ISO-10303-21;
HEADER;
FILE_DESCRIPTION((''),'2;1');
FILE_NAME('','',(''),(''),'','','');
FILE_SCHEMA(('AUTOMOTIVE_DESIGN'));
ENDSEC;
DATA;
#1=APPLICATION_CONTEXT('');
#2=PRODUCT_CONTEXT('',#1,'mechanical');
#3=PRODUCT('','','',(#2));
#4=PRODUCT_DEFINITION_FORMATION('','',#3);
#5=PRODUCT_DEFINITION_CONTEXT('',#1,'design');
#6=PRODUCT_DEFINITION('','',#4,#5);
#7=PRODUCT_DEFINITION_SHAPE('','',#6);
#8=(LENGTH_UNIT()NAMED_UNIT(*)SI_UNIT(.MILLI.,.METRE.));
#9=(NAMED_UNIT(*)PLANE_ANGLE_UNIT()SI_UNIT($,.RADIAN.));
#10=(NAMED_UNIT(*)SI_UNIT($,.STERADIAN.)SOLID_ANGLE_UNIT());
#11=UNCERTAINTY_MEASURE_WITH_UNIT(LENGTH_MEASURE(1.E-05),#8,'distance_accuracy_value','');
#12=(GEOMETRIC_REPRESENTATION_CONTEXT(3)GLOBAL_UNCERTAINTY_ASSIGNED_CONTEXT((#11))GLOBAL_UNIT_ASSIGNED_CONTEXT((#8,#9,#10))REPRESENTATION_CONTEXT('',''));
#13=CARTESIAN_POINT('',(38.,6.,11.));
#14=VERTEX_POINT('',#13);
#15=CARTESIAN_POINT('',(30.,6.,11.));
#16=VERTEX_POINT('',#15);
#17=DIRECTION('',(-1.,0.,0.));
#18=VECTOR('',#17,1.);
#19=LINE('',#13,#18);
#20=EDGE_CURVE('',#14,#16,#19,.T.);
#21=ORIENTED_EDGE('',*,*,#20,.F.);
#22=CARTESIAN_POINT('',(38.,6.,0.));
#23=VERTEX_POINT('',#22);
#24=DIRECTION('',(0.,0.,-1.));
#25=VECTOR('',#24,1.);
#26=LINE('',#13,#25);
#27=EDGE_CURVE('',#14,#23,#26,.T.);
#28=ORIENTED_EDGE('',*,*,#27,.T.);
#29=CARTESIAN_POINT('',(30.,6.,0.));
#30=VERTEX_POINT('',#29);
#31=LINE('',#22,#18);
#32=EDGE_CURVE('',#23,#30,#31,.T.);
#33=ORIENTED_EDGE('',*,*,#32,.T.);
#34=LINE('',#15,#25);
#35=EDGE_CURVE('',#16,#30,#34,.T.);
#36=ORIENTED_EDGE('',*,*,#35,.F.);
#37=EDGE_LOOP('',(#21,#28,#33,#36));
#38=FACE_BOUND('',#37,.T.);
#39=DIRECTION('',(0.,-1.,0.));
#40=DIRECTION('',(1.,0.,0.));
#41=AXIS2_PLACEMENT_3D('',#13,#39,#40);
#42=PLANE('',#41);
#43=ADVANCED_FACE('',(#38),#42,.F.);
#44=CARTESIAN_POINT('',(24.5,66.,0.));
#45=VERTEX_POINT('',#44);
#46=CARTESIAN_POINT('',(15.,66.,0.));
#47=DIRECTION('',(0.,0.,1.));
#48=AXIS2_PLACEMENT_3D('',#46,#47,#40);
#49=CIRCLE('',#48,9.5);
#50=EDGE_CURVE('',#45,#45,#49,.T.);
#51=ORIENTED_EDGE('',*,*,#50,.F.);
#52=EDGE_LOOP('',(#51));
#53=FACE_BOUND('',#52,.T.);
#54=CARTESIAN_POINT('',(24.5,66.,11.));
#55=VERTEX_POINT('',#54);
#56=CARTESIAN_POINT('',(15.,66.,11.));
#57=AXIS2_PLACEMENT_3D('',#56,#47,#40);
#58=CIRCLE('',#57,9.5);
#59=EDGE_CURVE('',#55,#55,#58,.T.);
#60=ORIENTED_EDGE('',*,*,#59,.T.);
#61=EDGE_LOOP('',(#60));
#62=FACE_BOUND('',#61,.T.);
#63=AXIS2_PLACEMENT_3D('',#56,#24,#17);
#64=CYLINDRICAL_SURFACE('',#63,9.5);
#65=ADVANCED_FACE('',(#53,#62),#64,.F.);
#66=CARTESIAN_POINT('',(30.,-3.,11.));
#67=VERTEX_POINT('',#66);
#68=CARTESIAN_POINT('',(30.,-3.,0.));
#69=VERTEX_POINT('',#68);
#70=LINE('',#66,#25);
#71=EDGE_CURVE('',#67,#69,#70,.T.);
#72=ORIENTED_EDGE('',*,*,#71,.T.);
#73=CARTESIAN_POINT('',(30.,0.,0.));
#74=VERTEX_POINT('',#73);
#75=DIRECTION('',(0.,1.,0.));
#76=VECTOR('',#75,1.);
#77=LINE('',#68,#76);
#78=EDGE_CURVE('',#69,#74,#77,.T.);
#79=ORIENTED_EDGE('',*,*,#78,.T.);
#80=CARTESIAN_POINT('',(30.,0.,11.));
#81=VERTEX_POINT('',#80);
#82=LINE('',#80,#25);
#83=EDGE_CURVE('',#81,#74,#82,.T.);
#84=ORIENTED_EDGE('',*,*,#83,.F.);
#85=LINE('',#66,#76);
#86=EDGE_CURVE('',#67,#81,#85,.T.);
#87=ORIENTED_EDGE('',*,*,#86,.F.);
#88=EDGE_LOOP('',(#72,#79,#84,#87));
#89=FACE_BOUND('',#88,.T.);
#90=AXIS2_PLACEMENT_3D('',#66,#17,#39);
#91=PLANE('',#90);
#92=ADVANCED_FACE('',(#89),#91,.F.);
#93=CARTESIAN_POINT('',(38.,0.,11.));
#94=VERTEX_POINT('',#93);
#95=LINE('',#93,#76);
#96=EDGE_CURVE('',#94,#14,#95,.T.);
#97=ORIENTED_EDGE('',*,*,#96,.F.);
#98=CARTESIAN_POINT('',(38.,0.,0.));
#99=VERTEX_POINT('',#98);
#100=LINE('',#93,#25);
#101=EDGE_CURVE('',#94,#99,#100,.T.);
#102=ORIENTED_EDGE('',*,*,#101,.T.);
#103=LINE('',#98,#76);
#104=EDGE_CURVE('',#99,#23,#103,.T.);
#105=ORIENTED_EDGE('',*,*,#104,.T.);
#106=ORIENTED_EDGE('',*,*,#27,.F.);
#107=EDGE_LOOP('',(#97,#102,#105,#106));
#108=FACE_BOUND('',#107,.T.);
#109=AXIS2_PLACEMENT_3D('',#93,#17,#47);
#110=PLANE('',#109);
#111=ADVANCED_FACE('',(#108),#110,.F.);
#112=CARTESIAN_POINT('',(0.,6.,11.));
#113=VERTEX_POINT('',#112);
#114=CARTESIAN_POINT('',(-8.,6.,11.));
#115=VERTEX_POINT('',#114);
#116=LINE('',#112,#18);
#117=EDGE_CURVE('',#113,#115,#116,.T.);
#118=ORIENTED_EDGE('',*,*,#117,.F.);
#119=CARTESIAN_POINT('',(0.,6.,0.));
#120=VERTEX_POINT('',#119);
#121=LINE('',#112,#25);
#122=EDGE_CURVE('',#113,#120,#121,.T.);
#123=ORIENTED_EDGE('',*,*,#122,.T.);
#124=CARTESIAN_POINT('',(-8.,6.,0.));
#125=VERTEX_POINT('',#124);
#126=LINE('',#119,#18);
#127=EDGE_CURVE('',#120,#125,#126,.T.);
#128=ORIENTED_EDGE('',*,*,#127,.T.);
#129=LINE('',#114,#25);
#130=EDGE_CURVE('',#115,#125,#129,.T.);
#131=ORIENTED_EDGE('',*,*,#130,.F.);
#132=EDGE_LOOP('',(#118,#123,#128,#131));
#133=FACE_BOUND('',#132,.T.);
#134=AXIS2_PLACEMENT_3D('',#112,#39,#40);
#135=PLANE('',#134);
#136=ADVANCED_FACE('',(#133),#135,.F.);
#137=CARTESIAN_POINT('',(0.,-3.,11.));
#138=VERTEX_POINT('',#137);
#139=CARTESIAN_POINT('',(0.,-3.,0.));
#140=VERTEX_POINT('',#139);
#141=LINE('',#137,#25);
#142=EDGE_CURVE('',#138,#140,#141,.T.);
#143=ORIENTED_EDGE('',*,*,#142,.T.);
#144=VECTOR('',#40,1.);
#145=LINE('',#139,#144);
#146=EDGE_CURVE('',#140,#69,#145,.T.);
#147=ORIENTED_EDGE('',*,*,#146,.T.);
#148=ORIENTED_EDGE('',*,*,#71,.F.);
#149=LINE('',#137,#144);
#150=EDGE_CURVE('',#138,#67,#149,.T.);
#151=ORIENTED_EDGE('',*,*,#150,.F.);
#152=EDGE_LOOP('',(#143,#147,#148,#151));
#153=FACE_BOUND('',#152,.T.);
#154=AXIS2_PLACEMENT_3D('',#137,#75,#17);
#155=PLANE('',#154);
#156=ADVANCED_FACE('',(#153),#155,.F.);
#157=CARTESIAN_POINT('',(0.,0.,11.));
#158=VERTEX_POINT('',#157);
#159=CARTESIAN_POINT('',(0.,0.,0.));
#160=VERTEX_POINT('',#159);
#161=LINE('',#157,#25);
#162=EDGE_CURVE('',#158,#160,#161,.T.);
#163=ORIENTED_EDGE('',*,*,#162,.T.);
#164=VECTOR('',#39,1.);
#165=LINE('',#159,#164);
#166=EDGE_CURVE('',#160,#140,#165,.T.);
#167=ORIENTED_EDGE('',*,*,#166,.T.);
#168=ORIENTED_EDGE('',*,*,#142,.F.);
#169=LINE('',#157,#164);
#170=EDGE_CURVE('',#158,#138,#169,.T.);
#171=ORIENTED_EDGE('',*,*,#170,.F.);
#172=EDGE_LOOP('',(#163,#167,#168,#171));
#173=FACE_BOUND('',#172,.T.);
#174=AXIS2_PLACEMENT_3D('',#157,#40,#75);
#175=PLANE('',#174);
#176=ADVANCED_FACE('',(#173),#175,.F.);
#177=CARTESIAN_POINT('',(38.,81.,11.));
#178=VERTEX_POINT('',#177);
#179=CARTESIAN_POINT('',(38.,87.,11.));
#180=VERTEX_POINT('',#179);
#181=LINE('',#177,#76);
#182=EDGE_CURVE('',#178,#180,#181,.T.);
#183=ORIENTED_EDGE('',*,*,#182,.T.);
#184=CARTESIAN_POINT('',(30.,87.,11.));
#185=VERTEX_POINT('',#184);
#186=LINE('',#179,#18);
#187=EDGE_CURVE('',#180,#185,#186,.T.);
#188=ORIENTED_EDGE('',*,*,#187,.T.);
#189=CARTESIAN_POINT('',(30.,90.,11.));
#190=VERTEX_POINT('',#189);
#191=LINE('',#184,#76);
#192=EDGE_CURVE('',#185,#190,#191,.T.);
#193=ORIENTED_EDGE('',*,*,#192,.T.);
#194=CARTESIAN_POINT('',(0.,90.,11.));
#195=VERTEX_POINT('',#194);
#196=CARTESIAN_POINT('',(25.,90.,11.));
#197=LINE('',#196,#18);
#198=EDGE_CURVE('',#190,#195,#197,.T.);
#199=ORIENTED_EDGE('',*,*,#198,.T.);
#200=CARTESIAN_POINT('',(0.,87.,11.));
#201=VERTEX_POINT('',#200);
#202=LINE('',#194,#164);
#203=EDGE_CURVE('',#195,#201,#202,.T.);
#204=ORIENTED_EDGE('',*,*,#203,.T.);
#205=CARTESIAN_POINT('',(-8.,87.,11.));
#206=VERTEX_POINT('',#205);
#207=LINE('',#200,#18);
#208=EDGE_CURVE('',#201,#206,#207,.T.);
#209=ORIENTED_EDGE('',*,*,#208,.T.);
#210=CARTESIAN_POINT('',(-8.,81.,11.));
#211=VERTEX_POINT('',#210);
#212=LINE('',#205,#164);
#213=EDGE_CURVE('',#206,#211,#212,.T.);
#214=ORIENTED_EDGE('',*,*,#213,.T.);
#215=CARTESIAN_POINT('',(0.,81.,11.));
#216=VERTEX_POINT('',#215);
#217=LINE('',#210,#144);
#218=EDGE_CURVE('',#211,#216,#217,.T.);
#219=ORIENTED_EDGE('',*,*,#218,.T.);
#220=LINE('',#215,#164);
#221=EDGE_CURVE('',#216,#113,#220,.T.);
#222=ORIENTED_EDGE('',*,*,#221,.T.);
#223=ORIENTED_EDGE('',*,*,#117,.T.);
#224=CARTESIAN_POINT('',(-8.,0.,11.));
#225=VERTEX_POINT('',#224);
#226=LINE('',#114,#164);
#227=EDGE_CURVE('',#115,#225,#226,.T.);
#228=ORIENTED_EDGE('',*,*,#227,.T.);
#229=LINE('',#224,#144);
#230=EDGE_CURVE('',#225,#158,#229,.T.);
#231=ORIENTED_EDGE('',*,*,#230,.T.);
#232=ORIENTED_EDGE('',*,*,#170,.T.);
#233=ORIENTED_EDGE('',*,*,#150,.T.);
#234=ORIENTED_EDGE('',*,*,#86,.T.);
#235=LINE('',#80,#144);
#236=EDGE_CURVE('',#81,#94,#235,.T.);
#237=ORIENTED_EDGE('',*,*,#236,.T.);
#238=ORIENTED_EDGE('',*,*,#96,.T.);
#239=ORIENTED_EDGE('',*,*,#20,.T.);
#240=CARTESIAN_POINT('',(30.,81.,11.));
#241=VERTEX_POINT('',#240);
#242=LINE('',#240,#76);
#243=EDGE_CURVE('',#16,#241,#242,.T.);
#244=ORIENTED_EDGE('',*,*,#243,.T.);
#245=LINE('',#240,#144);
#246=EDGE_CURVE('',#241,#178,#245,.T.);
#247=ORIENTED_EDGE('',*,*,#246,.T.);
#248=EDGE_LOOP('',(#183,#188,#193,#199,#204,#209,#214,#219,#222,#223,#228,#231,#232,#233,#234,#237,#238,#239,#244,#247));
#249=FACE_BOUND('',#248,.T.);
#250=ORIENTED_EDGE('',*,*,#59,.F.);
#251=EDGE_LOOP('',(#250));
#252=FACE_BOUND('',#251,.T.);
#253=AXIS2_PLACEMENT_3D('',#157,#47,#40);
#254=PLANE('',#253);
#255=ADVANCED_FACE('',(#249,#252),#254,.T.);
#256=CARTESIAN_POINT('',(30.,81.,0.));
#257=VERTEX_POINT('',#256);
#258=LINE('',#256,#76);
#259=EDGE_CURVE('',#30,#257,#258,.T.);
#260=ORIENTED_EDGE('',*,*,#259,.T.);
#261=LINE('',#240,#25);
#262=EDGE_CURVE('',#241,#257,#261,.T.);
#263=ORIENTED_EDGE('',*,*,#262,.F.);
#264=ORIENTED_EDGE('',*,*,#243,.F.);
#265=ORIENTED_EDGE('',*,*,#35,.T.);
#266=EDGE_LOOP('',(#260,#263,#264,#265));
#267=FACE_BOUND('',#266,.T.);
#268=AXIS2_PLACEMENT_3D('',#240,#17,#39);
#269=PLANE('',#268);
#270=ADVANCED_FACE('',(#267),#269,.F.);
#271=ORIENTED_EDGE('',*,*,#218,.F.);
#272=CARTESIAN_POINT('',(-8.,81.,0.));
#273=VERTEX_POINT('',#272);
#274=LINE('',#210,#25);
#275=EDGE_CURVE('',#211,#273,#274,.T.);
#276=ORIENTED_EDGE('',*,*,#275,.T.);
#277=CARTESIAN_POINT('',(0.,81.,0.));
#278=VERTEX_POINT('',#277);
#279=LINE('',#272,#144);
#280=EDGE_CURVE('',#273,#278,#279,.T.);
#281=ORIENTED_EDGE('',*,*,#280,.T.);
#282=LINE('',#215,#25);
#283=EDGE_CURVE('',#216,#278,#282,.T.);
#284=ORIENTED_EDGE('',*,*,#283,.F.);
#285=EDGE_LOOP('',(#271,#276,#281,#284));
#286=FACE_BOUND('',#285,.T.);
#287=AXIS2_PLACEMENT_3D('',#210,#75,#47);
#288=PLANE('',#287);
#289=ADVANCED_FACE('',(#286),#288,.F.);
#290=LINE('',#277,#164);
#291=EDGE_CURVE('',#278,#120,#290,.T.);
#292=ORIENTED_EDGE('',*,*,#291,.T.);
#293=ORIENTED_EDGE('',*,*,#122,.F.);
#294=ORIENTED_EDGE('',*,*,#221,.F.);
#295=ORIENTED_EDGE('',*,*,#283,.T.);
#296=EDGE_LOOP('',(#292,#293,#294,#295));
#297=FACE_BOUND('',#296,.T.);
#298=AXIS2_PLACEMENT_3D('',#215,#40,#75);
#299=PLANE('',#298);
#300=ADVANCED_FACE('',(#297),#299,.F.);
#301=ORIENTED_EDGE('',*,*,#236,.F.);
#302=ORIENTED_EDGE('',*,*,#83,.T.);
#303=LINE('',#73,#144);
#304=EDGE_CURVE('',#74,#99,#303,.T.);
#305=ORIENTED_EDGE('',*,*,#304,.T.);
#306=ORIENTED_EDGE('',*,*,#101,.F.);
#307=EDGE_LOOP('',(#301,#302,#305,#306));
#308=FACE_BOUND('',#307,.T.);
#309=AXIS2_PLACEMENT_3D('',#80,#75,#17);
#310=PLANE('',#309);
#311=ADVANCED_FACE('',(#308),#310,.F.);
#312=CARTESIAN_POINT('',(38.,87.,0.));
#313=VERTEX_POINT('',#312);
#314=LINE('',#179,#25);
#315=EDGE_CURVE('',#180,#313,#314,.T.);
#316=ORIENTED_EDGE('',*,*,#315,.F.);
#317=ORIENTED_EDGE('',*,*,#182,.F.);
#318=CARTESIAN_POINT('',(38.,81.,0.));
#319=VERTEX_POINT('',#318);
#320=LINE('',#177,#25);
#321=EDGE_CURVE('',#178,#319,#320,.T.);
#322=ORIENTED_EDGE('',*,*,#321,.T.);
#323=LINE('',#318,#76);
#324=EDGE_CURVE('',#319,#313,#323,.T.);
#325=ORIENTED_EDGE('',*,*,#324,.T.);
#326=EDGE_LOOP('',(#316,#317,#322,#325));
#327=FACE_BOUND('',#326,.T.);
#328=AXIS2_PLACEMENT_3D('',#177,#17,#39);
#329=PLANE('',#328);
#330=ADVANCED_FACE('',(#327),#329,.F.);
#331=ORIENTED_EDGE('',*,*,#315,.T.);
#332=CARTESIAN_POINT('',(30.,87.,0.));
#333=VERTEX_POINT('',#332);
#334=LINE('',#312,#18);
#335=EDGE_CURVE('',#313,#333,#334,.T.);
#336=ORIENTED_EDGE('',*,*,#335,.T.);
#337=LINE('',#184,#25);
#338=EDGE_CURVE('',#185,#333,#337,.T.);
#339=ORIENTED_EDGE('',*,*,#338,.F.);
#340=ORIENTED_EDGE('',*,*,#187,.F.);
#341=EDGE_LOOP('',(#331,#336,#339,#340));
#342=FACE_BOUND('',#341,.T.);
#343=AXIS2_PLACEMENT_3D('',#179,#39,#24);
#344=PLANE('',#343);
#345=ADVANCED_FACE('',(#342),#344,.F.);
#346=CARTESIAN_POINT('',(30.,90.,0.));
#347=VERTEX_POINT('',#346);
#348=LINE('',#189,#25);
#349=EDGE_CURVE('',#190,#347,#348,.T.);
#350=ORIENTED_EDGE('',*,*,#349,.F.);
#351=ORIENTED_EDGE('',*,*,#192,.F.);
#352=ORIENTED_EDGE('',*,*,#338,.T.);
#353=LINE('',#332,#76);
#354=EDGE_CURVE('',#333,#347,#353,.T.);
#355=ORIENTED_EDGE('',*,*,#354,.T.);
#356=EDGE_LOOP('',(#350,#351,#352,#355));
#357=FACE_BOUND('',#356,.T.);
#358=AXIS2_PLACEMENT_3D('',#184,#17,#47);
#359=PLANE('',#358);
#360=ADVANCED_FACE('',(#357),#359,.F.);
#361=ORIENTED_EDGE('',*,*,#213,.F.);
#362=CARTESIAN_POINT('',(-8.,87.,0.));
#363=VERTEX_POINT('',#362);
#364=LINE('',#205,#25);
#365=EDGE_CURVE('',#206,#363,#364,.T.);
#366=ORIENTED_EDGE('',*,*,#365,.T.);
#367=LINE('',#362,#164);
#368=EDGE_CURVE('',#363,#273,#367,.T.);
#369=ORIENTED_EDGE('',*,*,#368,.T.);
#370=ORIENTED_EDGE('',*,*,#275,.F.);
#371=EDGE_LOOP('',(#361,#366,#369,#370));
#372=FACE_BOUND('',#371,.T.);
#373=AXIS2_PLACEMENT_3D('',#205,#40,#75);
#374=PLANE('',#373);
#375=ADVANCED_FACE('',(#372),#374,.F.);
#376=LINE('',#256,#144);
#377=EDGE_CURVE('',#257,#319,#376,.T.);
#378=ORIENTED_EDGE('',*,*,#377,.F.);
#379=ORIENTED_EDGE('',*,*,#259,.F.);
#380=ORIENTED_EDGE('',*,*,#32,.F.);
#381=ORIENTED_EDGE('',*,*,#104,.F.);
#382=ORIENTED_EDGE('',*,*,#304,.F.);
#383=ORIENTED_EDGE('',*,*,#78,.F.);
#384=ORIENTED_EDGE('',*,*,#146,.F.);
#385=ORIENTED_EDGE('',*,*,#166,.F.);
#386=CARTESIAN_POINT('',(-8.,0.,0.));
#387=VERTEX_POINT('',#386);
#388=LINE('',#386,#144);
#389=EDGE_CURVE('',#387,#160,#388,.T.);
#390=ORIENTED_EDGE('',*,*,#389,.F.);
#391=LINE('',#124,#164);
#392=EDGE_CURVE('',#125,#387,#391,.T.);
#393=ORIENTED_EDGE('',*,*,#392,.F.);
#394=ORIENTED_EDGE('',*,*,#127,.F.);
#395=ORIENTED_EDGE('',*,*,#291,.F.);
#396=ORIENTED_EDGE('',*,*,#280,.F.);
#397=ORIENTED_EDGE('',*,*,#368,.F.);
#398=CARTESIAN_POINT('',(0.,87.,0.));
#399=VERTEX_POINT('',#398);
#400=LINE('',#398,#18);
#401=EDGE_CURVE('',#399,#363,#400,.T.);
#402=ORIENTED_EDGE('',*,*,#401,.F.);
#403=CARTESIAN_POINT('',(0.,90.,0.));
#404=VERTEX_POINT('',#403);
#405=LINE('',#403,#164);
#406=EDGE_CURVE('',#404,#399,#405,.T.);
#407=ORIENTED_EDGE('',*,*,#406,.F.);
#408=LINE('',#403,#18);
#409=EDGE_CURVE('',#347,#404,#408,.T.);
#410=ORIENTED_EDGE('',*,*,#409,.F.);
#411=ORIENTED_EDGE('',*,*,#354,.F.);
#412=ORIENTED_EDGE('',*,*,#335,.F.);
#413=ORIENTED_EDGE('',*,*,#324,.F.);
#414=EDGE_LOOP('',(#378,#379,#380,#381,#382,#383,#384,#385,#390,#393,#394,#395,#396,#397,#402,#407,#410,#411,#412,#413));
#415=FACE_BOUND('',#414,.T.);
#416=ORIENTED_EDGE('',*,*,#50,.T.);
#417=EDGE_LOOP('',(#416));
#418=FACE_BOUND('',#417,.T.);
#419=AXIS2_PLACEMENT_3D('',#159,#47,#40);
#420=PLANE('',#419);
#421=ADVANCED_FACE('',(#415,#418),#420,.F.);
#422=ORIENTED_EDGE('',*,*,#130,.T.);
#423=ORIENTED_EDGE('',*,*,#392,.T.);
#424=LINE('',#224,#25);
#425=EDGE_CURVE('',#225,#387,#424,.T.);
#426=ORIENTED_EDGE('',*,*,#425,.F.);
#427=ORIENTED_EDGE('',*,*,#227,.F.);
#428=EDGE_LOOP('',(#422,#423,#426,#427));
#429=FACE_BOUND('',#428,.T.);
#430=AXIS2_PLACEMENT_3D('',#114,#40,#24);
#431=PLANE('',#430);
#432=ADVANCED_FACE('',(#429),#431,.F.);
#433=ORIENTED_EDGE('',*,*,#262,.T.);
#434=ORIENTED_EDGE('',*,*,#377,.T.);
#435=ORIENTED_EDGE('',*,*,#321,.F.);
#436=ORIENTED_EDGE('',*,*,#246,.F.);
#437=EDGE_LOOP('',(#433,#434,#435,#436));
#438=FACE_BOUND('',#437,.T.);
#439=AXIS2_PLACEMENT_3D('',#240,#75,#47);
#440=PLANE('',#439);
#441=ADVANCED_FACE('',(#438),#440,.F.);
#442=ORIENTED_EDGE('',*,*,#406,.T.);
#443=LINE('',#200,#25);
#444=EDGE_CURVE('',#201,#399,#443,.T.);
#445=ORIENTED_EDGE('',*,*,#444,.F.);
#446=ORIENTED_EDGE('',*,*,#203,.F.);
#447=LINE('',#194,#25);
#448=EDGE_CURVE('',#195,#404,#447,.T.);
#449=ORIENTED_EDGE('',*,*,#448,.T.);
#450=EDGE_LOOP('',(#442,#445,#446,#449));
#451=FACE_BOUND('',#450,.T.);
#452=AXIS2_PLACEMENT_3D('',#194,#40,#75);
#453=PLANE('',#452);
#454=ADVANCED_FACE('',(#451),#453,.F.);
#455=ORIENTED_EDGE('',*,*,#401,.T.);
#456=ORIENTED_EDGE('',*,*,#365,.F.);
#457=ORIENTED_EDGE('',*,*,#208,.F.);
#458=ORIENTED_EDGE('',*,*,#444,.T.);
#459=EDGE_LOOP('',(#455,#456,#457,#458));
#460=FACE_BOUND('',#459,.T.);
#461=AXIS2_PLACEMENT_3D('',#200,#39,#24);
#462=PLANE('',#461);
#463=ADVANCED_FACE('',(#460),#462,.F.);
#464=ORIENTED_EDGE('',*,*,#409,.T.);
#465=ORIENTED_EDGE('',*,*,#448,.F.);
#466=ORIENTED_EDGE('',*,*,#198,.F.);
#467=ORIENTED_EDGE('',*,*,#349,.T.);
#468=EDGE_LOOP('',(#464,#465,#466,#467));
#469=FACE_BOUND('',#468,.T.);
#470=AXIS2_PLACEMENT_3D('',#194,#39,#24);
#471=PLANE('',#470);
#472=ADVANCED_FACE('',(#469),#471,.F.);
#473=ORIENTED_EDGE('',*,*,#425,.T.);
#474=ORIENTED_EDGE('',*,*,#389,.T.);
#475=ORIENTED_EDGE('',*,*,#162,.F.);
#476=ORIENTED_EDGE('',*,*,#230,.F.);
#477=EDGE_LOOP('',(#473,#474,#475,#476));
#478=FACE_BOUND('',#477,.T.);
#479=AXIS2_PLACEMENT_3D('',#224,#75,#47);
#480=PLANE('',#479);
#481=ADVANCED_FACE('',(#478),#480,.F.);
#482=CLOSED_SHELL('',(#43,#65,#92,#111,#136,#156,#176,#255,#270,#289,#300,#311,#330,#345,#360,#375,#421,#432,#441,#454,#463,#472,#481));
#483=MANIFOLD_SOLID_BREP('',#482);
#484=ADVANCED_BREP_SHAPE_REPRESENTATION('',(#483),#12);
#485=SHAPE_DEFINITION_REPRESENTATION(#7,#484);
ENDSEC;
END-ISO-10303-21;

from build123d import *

# Parameters (mm, degrees)
ESQUISSE1_R        = 9.5
BOSS_EXTRU_1_DEPTH = 11


with BuildPart() as part:
    # Esquisse1 → Boss.-Extru.1 (new body)
    with BuildSketch(Plane.XY):
        Polygon((0, 81), (0, 6), (-8, 6), (-8, 0), (0, 0), (0, -3), (30, -3), (30, 0), (38, 0), (38, 6), (30, 6), (30, 81), (38, 81), (38, 87), (30, 87), (30, 90), (25, 90), (5, 90), (0, 90), (0, 87), (-8, 87), (-8, 81), align=None)
        with Locations((15, 66)):
            Circle(ESQUISSE1_R, mode=Mode.SUBTRACT)
    extrude(amount=BOSS_EXTRU_1_DEPTH)


solid = part.part
